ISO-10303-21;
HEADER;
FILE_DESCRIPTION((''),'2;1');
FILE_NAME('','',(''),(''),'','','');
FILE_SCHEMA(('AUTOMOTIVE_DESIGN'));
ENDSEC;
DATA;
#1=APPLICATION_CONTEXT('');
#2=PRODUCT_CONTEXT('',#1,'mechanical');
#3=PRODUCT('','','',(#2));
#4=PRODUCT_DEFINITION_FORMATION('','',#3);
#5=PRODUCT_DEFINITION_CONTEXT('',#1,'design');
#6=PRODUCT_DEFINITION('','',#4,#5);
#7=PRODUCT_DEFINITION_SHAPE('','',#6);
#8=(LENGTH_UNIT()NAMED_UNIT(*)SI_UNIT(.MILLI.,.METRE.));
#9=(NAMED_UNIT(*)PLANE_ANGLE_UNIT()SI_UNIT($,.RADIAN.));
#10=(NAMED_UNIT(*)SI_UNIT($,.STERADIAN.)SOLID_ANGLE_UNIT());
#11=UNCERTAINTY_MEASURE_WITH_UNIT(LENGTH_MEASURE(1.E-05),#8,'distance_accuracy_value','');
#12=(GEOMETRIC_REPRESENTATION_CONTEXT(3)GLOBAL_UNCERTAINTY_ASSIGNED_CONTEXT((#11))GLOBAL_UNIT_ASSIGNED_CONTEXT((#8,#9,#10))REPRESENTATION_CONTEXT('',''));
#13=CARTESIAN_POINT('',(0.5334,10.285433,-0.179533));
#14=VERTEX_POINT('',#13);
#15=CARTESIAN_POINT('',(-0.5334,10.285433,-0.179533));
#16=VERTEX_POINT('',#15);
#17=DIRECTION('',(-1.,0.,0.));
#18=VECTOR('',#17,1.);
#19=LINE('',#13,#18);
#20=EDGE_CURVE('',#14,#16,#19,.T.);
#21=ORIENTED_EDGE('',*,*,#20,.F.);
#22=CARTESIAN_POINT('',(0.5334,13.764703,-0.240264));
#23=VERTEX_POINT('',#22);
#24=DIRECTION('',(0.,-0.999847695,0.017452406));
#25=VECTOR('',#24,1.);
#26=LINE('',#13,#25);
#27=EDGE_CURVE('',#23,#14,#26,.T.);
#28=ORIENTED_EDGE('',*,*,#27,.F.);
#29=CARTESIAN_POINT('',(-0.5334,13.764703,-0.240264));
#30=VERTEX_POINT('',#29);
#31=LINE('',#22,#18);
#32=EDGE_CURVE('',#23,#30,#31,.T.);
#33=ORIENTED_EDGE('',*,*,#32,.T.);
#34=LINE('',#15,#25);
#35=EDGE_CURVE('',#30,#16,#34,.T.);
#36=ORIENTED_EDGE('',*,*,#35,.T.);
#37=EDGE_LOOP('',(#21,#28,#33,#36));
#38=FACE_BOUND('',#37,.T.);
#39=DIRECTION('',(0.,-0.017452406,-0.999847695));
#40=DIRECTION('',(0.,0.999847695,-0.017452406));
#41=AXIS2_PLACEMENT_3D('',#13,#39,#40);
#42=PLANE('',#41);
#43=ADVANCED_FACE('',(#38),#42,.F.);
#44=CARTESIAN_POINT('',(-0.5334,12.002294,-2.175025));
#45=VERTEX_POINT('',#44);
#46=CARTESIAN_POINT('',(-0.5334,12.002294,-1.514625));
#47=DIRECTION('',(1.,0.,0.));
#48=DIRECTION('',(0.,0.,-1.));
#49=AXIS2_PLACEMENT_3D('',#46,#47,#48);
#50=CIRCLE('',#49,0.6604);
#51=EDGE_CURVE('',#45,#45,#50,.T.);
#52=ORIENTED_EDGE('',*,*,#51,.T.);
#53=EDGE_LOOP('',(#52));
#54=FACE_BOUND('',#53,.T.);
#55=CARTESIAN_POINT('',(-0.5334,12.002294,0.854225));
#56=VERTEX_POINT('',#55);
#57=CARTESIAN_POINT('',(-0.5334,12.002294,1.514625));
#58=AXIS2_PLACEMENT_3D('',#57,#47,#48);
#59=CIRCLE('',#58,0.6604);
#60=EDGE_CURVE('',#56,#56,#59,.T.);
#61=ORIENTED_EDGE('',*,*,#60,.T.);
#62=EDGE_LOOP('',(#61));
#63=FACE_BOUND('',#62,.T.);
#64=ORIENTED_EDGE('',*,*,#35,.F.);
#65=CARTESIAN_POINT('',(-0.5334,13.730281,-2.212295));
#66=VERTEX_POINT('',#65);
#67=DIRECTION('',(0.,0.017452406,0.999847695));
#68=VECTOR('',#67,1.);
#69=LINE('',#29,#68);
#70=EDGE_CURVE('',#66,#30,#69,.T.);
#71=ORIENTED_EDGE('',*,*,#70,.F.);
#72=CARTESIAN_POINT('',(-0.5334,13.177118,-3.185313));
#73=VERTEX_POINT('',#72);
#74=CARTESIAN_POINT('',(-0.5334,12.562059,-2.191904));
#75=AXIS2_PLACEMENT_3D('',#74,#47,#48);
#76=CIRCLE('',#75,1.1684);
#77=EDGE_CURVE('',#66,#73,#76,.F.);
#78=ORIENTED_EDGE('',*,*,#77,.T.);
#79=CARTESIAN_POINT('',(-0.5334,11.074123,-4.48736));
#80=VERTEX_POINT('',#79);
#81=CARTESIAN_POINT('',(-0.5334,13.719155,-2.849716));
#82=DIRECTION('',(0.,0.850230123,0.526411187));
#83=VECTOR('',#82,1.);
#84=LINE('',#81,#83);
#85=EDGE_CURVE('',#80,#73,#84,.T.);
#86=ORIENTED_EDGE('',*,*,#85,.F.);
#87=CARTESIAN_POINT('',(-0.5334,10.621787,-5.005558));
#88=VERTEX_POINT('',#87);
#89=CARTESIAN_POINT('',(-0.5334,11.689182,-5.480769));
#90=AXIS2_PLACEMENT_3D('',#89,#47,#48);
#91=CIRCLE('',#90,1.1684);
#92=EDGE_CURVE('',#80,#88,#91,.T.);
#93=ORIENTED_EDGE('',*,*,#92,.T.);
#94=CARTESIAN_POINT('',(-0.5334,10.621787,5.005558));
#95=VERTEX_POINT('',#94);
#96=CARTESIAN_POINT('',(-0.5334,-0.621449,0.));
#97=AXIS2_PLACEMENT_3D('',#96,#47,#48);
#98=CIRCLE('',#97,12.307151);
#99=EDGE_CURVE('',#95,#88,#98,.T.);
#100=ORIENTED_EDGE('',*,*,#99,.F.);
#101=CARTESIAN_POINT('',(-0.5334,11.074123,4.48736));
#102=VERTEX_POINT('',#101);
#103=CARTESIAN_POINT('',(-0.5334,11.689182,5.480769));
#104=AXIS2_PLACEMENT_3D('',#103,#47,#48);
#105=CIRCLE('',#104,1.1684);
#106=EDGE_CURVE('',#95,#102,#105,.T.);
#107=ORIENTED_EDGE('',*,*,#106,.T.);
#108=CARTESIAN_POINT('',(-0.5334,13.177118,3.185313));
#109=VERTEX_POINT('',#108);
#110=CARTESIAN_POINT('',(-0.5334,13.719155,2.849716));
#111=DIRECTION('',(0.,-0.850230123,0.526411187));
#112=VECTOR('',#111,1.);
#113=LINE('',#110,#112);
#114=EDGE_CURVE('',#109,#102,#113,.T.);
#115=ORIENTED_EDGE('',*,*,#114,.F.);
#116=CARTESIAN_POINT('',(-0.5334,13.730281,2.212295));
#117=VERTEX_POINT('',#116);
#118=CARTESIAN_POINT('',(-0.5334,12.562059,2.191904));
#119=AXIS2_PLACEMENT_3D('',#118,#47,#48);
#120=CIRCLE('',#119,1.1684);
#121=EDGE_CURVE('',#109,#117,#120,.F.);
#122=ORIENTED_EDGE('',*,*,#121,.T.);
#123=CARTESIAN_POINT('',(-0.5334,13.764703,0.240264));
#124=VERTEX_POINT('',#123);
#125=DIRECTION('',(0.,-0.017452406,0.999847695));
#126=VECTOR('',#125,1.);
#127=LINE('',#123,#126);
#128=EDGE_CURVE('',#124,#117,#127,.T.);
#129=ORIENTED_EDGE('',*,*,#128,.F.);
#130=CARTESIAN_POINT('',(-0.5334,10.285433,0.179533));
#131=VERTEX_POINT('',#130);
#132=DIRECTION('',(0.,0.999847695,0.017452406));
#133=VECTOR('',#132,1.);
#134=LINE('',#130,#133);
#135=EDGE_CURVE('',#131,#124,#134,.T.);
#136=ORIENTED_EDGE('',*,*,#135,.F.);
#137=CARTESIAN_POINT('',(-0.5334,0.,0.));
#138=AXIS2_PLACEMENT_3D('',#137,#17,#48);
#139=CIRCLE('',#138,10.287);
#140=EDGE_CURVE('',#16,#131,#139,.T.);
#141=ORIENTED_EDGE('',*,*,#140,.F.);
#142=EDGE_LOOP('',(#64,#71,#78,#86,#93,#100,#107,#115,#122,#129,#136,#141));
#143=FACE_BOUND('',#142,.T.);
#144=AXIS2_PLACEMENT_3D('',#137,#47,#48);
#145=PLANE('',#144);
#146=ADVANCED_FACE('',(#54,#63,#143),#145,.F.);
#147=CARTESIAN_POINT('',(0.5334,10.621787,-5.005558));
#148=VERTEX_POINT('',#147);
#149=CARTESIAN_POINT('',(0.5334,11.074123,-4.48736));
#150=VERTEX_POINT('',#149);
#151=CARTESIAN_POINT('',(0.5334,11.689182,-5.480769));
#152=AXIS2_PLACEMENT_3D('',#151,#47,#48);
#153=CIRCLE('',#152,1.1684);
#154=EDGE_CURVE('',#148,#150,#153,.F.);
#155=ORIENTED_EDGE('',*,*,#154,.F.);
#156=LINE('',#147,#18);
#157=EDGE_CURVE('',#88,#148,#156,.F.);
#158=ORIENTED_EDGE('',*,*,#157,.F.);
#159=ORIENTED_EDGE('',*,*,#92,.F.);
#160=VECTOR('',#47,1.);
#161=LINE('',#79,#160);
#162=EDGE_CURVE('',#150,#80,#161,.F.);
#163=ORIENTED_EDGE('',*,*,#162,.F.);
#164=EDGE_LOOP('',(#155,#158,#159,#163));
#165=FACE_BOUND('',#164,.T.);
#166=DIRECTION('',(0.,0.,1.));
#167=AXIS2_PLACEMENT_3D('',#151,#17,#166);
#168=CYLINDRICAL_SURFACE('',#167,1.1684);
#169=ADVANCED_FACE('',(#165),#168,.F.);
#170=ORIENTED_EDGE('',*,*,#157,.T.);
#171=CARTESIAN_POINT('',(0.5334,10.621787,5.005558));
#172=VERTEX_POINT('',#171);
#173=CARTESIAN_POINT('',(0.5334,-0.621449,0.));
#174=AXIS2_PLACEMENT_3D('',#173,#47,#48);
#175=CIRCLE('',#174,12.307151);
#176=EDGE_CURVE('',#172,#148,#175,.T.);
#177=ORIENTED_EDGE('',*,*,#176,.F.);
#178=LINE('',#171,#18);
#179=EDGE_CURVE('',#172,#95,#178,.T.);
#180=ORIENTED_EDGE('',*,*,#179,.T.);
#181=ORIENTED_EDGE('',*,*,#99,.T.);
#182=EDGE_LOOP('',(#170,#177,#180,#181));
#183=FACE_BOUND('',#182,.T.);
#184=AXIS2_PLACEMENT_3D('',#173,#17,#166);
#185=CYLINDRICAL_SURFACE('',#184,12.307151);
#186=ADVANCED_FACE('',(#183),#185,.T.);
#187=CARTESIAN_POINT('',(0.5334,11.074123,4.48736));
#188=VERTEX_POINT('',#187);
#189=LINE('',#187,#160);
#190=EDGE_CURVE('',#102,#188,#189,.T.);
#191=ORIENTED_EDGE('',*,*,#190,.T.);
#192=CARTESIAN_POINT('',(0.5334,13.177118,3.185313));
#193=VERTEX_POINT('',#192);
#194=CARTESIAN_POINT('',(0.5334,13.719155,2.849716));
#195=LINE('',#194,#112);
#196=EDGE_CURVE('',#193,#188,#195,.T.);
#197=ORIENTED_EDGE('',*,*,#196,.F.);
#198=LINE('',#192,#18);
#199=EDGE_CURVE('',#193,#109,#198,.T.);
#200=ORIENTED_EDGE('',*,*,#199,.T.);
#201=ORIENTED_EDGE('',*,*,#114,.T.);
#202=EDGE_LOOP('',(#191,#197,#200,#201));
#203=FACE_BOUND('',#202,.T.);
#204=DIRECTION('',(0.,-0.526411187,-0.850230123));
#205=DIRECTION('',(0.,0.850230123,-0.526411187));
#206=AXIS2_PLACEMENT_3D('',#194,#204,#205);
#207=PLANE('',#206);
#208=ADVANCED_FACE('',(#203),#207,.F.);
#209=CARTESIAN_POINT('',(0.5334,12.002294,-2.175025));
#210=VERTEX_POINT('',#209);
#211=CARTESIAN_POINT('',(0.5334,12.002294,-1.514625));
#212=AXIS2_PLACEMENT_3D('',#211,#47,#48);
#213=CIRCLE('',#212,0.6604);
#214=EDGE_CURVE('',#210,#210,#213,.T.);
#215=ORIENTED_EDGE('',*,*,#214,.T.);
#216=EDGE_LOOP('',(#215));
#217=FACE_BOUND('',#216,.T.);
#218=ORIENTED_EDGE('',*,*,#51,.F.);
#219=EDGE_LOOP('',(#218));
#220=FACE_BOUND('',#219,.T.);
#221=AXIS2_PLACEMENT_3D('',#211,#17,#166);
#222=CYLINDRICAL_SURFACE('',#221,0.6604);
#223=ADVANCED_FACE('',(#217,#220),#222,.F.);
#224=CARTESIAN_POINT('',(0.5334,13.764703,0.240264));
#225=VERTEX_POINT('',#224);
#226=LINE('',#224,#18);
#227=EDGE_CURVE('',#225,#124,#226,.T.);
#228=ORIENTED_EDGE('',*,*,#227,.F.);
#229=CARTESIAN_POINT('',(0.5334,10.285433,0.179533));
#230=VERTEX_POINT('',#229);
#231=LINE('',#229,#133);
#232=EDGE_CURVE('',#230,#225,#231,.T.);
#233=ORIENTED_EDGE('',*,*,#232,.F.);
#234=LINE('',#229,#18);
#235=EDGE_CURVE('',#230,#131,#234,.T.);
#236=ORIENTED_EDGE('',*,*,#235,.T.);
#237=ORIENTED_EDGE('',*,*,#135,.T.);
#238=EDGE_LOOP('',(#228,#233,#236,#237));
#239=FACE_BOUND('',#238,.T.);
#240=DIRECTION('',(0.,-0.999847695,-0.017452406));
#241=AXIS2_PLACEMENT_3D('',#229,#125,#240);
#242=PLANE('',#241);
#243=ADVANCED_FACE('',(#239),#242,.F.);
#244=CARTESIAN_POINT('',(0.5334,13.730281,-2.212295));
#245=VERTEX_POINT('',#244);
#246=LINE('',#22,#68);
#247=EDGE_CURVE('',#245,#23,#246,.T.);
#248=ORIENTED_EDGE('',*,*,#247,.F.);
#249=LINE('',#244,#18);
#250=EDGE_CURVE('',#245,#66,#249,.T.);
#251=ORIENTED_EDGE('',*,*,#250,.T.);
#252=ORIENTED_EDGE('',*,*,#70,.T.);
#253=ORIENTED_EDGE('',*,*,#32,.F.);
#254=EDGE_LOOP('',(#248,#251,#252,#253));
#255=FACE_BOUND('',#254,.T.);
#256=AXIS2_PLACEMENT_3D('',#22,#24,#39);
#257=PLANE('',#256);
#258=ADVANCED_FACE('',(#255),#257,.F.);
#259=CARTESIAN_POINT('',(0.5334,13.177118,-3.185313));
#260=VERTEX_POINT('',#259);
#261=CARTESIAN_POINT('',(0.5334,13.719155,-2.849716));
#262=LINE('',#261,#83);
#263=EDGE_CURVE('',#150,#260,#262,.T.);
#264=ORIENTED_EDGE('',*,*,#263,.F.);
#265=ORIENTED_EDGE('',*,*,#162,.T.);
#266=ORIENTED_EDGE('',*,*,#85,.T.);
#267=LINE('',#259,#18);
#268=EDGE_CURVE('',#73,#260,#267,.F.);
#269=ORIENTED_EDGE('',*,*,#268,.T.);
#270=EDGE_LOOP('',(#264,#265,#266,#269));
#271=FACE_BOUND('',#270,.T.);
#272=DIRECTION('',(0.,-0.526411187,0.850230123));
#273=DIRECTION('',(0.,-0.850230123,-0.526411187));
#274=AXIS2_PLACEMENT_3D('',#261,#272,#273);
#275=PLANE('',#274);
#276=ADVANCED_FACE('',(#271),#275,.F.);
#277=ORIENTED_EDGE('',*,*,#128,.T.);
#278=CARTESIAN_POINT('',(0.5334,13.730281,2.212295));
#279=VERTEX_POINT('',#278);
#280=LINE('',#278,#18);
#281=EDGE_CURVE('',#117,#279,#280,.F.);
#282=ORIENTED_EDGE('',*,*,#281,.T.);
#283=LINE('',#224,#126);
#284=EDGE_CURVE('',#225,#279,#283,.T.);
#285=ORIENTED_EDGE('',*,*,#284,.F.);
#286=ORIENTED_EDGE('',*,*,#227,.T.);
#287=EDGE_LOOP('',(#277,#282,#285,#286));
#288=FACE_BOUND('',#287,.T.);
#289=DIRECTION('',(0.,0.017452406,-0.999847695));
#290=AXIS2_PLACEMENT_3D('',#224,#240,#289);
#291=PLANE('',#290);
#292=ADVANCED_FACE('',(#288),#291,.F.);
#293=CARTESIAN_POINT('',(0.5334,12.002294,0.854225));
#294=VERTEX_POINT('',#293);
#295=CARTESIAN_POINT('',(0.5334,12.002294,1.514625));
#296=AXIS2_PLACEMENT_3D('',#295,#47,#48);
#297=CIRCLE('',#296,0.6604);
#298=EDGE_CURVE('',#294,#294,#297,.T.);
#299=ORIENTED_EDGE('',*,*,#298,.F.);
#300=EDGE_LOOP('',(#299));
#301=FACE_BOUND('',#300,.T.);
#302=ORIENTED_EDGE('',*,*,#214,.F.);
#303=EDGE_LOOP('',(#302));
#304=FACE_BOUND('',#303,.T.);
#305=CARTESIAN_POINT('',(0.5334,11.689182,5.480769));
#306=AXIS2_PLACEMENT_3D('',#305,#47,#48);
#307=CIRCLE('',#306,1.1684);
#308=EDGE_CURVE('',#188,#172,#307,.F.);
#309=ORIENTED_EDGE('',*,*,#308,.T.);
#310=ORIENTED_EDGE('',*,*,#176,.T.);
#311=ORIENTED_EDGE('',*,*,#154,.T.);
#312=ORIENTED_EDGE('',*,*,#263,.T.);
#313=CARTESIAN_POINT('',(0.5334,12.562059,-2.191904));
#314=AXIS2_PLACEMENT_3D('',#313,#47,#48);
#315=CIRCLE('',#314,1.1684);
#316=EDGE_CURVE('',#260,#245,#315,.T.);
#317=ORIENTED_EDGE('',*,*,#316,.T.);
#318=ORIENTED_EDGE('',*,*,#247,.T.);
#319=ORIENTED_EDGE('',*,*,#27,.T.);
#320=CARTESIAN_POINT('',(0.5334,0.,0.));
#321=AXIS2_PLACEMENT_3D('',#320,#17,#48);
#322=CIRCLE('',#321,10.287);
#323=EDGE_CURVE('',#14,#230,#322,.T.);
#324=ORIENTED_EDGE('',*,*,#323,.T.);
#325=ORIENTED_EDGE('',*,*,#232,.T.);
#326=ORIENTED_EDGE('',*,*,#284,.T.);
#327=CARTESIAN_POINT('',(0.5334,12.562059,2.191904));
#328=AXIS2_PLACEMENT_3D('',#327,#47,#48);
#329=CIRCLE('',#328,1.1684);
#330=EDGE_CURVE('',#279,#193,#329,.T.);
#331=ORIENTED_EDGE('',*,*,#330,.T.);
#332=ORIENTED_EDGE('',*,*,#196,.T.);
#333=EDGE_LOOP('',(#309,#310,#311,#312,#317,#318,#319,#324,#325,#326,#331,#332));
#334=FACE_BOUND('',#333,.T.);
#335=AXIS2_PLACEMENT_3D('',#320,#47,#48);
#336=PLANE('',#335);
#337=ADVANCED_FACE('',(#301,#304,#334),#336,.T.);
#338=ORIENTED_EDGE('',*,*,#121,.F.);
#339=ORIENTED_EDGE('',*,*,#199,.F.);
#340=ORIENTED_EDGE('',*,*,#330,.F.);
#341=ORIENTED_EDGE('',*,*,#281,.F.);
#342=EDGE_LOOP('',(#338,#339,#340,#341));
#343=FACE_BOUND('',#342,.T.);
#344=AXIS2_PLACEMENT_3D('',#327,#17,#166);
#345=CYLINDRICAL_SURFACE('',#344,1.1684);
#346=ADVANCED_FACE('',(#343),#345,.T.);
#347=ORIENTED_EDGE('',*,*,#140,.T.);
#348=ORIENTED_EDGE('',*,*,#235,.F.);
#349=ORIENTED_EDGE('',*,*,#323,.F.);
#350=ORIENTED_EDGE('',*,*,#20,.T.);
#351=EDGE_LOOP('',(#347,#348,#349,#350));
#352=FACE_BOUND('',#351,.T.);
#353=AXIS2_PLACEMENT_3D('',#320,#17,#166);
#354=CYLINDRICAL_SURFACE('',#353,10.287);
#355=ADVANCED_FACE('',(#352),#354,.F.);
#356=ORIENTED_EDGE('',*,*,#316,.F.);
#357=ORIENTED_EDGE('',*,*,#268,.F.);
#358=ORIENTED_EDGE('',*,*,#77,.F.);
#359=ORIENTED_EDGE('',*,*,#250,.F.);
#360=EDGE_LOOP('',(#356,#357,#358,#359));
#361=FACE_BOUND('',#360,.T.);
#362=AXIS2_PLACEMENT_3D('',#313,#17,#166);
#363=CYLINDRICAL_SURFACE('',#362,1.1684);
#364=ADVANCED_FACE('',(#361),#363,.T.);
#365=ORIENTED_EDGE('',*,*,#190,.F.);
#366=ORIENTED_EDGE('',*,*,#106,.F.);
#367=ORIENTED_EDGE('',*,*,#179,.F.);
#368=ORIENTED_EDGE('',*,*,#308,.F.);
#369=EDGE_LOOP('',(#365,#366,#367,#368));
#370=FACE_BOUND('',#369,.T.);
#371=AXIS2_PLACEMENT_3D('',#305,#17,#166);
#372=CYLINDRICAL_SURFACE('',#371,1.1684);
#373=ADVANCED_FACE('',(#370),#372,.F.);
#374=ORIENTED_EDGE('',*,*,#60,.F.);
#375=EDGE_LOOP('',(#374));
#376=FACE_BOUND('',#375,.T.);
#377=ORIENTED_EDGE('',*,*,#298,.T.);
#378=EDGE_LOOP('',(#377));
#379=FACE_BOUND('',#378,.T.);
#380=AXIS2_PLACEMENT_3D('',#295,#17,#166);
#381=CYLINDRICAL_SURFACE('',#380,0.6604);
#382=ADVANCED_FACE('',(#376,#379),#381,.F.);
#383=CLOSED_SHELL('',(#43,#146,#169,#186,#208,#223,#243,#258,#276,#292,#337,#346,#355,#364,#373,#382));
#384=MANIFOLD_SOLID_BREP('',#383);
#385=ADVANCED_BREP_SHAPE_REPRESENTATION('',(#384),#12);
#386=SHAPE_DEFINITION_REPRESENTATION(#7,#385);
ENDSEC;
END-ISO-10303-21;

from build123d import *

# Parameters (mm, degrees)
SKETCH1_R      = 0.6604
EXTRUDE1_DEPTH = 0.5334
FILLET1_R      = 1.1684


with BuildPart() as part:
    # Sketch1 → Extrude1 (new body, symmetric)
    with BuildSketch(Plane(origin=(0, 0, 0), x_dir=(0, 0, -1), z_dir=(1, 0, 0))):
        with BuildLine():
            Line((-0.179532905, 10.28543324), (-0.240263789, 13.76470325))
            Line((-0.240263789, 13.76470325), (-2.849716296, 13.719155087))
            Line((-2.849716296, 13.719155087), (-4.681521945, 10.760524305))
            ThreePointArc((-4.681521945, 10.760524305), (0, -12.9286), (4.681521945, 10.760524305))
            Line((4.681521945, 10.760524305), (2.849716296, 13.719155087))
            Line((2.849716296, 13.719155087), (0.240263789, 13.76470325))
            Line((0.240263789, 13.76470325), (0.179532905, 10.28543324))
            ThreePointArc((0.179532905, 10.28543324), (0, -10.287), (-0.179532905, 10.28543324))
        make_face()
        with Locations((-1.514624601, 12.002294163)):
            Circle(SKETCH1_R, mode=Mode.SUBTRACT)
        with Locations((1.514624601, 12.002294163)):
            Circle(SKETCH1_R, mode=Mode.SUBTRACT)
    extrude(amount=EXTRUDE1_DEPTH, both=True)

    # Fillet1
    fillet1_edges = [part.edges().sort_by_distance(p)[0] for p in [
        (0, 13.719155087, -2.849716296),
        (0, 10.760524305, -4.681521945),
        (0, 10.760524305, 4.681521945),
        (0, 13.719155087, 2.849716296),
    ]]
    fillet(fillet1_edges, radius=FILLET1_R)


solid = part.part
